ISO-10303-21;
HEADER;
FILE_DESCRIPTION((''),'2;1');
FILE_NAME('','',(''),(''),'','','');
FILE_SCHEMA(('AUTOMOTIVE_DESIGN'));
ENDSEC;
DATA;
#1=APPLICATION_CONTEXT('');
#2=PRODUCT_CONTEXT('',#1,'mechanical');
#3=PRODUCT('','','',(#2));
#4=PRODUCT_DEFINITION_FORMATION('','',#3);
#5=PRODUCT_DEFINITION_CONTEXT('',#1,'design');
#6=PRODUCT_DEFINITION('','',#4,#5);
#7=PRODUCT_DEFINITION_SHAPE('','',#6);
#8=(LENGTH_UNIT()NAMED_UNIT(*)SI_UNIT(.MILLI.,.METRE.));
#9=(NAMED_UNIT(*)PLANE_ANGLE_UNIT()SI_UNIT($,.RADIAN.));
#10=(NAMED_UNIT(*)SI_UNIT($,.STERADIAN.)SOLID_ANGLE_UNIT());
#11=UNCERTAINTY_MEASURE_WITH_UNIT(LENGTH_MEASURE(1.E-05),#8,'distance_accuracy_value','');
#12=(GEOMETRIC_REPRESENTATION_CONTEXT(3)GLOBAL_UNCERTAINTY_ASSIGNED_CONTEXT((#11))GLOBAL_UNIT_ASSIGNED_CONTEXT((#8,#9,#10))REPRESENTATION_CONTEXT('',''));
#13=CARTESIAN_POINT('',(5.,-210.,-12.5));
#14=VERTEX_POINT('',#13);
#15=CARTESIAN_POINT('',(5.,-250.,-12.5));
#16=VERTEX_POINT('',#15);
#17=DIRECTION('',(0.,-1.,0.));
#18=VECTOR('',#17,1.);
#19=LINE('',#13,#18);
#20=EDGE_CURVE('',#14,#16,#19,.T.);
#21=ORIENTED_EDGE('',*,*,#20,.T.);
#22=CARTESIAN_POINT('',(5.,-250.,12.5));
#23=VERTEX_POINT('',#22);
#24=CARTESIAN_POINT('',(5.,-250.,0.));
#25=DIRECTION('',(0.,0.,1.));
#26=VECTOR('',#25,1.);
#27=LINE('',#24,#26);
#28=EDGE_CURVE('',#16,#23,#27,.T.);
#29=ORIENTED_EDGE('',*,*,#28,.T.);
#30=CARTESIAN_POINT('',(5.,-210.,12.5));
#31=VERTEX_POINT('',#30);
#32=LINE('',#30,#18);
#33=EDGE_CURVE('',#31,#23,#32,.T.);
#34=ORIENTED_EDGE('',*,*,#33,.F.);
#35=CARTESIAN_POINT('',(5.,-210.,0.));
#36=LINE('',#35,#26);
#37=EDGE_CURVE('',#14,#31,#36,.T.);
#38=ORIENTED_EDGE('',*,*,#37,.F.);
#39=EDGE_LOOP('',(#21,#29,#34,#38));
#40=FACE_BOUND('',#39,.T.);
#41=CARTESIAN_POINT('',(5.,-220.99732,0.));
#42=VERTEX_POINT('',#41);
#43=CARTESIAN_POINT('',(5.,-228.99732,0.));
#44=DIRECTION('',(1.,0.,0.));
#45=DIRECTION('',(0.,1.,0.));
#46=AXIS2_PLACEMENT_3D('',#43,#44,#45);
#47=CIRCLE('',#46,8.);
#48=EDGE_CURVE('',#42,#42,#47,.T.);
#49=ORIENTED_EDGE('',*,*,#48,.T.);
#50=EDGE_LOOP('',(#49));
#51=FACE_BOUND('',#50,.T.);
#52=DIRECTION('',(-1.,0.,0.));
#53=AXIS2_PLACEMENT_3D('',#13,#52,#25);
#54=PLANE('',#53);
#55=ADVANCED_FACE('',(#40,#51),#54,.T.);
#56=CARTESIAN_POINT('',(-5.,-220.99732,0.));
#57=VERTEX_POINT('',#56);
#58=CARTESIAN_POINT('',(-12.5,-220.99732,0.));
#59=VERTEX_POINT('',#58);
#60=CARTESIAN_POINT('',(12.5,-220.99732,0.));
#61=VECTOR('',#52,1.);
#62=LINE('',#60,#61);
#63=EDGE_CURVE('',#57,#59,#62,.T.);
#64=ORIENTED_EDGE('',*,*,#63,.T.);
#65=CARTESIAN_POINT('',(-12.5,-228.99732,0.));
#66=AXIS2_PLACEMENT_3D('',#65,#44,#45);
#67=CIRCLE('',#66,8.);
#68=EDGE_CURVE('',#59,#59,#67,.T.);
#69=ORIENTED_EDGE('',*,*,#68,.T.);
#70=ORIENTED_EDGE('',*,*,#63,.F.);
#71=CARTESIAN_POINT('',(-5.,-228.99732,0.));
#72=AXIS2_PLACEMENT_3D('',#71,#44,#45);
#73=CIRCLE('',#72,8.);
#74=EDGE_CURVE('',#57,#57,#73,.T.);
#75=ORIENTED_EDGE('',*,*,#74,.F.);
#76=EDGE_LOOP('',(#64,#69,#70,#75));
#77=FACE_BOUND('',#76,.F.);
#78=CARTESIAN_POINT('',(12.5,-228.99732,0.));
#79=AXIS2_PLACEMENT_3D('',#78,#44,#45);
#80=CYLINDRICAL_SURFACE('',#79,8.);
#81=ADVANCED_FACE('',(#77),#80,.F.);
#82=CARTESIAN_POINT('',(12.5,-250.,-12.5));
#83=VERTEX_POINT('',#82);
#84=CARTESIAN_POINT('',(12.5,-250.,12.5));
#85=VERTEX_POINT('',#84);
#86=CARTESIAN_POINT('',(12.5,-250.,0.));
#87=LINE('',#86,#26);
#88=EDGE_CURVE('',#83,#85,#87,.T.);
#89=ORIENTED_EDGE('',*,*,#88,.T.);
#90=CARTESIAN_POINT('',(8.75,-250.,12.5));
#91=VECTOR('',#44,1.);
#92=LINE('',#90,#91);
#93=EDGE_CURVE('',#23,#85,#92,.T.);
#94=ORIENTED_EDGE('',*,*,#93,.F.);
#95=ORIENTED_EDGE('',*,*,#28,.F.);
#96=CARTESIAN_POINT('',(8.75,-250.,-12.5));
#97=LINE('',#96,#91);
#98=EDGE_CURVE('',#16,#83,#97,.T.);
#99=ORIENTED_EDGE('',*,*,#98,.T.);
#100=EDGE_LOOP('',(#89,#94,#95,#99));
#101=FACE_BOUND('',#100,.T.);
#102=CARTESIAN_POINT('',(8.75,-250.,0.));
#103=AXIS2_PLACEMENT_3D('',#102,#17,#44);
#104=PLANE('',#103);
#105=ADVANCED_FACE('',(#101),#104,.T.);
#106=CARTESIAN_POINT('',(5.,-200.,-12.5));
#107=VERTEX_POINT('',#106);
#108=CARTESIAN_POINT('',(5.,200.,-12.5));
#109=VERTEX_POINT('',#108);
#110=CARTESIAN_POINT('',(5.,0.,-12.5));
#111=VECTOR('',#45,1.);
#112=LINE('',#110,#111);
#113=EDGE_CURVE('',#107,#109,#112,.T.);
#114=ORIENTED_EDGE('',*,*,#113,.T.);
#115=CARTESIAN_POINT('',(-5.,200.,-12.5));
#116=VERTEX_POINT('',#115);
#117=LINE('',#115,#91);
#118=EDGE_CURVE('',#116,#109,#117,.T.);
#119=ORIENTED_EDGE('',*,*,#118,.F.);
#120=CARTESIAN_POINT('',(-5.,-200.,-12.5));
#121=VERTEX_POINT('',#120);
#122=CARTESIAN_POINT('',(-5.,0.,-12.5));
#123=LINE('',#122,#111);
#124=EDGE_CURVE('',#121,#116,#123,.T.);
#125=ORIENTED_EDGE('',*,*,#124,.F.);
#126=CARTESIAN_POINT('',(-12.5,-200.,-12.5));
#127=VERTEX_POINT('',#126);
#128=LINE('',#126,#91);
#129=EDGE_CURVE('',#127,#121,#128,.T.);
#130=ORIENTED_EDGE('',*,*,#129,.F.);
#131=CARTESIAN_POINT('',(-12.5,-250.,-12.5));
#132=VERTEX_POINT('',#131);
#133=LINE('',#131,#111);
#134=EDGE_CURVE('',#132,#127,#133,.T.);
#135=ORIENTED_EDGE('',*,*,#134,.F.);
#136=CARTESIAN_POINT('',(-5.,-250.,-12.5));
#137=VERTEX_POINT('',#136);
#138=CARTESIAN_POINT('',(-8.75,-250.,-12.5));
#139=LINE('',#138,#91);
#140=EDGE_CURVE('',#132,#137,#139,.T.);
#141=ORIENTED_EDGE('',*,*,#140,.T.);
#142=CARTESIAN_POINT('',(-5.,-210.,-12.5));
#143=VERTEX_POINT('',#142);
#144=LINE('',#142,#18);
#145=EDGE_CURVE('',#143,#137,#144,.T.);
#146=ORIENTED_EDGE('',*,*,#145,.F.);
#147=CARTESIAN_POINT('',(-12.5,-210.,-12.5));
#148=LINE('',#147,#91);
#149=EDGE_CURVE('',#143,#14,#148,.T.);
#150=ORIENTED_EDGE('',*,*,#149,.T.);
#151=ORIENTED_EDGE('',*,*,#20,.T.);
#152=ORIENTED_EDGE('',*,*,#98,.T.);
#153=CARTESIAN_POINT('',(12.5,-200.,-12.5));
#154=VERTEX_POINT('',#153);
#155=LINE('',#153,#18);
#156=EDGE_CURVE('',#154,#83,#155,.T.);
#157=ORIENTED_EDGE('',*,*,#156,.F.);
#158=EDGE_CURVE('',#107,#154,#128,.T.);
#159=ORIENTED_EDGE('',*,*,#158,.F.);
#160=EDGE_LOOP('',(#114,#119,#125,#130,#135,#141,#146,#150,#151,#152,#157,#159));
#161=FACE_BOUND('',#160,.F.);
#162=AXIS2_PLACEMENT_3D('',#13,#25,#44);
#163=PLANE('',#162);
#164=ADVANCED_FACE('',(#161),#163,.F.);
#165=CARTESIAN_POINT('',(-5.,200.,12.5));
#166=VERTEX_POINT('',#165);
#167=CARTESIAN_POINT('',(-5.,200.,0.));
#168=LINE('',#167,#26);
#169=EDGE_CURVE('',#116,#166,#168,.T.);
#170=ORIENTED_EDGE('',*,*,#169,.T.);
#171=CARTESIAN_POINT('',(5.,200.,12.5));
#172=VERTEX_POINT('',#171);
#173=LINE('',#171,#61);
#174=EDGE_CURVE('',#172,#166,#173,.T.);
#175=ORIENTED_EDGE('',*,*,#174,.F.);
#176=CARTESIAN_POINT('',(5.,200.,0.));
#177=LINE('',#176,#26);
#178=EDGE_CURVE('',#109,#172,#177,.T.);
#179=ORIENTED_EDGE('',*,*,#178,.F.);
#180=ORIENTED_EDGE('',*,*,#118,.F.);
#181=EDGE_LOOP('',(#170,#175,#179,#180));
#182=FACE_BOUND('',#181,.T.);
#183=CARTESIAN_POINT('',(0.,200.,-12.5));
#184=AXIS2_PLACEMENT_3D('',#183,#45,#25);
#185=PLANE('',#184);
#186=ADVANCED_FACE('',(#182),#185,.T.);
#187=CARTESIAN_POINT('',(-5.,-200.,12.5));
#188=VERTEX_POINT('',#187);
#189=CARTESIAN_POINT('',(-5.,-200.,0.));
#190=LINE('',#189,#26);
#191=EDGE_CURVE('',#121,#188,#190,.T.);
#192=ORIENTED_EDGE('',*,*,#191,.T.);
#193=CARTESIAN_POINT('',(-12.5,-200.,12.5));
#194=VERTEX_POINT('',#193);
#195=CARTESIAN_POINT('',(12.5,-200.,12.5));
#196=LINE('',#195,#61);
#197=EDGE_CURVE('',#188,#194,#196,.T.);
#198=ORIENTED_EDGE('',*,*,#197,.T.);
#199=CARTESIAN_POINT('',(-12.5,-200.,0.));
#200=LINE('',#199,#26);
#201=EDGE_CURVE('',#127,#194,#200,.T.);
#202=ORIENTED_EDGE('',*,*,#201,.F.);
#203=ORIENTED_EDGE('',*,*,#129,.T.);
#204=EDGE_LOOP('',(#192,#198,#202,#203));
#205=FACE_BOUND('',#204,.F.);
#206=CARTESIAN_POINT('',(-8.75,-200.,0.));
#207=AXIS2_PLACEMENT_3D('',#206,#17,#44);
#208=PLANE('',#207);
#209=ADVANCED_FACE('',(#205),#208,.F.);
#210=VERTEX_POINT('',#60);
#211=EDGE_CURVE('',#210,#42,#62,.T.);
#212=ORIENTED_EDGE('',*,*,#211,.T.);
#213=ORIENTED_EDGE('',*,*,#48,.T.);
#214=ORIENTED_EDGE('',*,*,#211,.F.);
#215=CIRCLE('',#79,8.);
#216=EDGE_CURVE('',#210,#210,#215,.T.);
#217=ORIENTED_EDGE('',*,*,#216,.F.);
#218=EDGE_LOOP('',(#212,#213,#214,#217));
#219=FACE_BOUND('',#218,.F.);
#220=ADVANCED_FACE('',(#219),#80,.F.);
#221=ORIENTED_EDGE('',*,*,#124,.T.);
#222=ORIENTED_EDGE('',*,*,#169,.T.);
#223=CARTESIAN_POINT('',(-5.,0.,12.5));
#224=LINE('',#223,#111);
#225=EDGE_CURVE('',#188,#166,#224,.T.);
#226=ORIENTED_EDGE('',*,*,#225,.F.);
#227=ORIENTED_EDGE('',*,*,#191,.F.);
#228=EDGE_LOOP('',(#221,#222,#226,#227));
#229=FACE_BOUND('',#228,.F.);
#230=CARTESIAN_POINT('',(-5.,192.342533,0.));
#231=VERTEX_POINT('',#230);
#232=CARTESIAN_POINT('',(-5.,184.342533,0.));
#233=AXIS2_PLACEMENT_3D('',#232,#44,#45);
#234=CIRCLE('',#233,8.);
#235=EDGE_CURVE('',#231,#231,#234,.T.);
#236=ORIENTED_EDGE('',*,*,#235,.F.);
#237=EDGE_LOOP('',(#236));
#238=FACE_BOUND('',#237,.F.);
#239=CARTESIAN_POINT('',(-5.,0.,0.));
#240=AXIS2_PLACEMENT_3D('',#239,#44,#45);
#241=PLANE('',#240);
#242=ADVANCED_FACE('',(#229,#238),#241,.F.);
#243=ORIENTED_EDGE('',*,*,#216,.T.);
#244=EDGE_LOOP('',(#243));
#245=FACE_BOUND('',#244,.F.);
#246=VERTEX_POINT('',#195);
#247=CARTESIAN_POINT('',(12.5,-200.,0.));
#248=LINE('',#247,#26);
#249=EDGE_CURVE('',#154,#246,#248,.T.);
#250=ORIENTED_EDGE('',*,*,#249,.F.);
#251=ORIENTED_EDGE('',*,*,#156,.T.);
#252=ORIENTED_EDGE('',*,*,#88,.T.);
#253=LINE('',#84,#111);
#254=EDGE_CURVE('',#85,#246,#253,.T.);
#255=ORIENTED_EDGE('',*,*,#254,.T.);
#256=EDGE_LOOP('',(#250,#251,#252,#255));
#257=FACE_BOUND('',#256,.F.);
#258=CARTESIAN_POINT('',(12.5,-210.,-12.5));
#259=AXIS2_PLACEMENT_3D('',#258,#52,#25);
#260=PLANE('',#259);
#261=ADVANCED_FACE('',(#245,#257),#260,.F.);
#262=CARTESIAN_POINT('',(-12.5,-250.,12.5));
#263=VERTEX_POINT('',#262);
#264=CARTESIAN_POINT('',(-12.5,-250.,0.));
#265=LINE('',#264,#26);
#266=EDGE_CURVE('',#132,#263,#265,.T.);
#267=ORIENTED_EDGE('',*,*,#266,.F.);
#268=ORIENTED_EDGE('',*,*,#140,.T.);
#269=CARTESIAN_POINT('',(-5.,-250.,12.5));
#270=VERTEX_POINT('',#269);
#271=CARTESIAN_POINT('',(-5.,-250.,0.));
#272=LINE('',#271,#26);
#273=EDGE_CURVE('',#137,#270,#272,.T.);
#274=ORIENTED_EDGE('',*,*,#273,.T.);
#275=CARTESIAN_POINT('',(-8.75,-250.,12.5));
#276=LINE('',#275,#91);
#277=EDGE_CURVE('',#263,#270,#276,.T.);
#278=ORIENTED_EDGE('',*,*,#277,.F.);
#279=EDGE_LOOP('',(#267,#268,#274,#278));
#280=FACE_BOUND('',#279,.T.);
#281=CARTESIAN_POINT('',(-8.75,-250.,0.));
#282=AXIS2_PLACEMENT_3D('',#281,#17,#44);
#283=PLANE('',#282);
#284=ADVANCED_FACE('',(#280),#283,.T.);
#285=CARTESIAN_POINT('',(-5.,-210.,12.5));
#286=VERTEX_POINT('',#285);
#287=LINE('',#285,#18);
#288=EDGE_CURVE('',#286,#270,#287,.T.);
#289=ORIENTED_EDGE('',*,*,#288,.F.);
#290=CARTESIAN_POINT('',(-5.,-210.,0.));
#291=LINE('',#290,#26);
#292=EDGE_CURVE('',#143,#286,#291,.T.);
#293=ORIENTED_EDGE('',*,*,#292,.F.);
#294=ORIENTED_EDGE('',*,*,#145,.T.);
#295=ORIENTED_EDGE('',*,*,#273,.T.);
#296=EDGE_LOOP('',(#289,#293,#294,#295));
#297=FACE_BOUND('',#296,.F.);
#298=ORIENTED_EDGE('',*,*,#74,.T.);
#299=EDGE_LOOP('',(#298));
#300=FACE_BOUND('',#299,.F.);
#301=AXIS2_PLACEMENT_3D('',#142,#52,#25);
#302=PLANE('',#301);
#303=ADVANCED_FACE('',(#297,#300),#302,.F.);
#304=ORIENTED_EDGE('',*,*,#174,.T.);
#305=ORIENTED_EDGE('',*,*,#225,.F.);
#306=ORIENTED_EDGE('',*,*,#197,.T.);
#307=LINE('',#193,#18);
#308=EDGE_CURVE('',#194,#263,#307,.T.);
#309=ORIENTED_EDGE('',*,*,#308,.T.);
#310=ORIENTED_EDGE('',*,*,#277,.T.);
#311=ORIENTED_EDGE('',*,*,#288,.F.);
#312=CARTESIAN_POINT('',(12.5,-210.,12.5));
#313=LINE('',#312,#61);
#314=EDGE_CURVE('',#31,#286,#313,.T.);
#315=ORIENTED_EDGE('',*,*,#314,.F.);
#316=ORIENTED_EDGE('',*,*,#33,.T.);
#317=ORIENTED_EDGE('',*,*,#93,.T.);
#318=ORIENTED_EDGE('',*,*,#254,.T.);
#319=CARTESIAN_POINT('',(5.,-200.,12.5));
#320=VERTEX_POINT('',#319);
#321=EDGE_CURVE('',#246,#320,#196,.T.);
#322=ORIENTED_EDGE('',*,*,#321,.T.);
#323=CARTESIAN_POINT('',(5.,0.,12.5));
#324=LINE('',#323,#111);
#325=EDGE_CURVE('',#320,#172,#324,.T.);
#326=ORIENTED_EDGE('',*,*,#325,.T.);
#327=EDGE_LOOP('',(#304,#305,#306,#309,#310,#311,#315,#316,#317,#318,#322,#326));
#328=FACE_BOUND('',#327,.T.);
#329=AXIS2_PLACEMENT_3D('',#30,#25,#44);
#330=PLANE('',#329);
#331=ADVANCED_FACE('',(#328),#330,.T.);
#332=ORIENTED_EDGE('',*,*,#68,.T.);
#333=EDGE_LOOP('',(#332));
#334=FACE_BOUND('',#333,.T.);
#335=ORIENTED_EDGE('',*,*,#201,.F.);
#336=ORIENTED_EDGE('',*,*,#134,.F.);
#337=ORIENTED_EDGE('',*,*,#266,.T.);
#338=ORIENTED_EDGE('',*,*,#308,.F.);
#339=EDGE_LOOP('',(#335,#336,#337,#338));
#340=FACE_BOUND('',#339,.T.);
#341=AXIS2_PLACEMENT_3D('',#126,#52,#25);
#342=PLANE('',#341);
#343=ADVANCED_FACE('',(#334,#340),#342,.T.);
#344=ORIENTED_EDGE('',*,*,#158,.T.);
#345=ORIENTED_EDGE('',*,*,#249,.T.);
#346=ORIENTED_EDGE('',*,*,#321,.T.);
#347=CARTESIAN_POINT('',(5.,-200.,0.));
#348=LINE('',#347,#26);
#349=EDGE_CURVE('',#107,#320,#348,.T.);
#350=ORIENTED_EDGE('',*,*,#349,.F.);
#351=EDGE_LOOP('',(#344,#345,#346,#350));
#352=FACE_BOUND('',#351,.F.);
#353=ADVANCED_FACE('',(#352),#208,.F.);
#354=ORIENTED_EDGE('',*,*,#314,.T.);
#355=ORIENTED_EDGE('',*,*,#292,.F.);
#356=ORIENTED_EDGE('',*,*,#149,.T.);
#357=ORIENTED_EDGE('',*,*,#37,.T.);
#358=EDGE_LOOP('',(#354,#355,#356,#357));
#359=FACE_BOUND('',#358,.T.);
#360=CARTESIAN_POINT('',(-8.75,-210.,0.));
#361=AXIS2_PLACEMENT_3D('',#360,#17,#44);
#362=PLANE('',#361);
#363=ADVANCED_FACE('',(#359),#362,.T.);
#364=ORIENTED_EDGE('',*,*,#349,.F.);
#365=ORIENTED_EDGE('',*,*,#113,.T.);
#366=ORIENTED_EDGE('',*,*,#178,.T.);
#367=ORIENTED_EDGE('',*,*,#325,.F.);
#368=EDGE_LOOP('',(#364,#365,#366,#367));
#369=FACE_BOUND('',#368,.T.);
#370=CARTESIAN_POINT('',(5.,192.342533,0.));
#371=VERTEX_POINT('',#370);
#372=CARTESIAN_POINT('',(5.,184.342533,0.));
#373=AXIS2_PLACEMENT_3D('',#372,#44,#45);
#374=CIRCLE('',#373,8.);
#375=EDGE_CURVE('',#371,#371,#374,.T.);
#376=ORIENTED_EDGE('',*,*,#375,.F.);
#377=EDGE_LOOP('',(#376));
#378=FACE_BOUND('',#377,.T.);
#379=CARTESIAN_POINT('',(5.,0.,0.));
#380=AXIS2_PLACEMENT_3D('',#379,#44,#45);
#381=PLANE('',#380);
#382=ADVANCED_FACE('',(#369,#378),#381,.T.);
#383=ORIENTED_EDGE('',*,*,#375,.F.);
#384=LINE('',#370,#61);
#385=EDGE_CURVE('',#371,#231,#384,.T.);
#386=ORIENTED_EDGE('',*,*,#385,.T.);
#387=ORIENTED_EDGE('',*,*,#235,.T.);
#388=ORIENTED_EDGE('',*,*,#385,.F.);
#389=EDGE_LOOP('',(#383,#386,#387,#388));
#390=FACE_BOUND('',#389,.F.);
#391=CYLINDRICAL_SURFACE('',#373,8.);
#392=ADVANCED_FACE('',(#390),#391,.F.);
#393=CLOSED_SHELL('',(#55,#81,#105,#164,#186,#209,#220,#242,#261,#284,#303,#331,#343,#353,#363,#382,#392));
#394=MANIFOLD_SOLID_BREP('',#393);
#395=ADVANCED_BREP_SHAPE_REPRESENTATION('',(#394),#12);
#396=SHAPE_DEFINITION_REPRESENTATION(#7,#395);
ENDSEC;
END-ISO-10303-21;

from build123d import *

# Parameters (mm, degrees)
F0_W          = 400
F0_H          = 25
F1_DEPTH      = 5
F1_DEPTH_BACK = 5
F2_W          = 7.5
F2_H          = 25
F2_W_2        = 10
F3_DEPTH      = 10
F4_W          = 7.5
F4_H          = 25
F5_DEPTH      = 40
F6_R          = 8
F7_DEPTH      = 25
F8_R          = 8
F9_DEPTH      = 25
F10_R         = 8
F11_DEPTH     = 25


with BuildPart() as f1:
    # F0 (on Right) → F1 (new body, two sides)
    with BuildSketch(Plane.YZ) as f1_sk:
        Rectangle(F0_W, F0_H)
    extrude(amount=F1_DEPTH)
    extrude(f1_sk.sketch, amount=-F1_DEPTH_BACK)

    # F2 (on face) → F3 (join)
    with BuildSketch(Plane.XZ.offset(200)):
        with Locations((-8.75, 0)):
            Rectangle(F2_W, F2_H)
        Rectangle(F2_W_2, F2_H)
        with Locations((8.75, 0)):
            Rectangle(F2_W, F2_H)
    extrude(amount=F3_DEPTH)

    # F4 (on face) → F5 (join)
    with BuildSketch(Plane.XZ.offset(210)):
        with Locations((8.75, 0)):
            Rectangle(F4_W, F4_H)
        with Locations((-8.75, 0)):
            Rectangle(F4_W, F4_H)
    extrude(amount=F5_DEPTH)

    # F6 (on face) → F7 (cut)
    with BuildSketch(Plane.YZ.offset(12.5)):
        with Locations((-228.9973199368, 0)):
            Circle(F6_R)
    extrude(amount=-F7_DEPTH, mode=Mode.SUBTRACT)

    # F8 (on face) → F9 (cut)
    with BuildSketch(Plane.YZ.offset(5)):
        with Locations((234.8896563053, 0)):
            Circle(F8_R)
    extrude(amount=-F9_DEPTH, mode=Mode.SUBTRACT)

    # F10 (on face) → F11 (cut)
    with BuildSketch(Plane.YZ.offset(5)):
        with Locations((184.34253335, 0)):
            Circle(F10_R)
    extrude(amount=-F11_DEPTH, mode=Mode.SUBTRACT)


solid = f1.part
